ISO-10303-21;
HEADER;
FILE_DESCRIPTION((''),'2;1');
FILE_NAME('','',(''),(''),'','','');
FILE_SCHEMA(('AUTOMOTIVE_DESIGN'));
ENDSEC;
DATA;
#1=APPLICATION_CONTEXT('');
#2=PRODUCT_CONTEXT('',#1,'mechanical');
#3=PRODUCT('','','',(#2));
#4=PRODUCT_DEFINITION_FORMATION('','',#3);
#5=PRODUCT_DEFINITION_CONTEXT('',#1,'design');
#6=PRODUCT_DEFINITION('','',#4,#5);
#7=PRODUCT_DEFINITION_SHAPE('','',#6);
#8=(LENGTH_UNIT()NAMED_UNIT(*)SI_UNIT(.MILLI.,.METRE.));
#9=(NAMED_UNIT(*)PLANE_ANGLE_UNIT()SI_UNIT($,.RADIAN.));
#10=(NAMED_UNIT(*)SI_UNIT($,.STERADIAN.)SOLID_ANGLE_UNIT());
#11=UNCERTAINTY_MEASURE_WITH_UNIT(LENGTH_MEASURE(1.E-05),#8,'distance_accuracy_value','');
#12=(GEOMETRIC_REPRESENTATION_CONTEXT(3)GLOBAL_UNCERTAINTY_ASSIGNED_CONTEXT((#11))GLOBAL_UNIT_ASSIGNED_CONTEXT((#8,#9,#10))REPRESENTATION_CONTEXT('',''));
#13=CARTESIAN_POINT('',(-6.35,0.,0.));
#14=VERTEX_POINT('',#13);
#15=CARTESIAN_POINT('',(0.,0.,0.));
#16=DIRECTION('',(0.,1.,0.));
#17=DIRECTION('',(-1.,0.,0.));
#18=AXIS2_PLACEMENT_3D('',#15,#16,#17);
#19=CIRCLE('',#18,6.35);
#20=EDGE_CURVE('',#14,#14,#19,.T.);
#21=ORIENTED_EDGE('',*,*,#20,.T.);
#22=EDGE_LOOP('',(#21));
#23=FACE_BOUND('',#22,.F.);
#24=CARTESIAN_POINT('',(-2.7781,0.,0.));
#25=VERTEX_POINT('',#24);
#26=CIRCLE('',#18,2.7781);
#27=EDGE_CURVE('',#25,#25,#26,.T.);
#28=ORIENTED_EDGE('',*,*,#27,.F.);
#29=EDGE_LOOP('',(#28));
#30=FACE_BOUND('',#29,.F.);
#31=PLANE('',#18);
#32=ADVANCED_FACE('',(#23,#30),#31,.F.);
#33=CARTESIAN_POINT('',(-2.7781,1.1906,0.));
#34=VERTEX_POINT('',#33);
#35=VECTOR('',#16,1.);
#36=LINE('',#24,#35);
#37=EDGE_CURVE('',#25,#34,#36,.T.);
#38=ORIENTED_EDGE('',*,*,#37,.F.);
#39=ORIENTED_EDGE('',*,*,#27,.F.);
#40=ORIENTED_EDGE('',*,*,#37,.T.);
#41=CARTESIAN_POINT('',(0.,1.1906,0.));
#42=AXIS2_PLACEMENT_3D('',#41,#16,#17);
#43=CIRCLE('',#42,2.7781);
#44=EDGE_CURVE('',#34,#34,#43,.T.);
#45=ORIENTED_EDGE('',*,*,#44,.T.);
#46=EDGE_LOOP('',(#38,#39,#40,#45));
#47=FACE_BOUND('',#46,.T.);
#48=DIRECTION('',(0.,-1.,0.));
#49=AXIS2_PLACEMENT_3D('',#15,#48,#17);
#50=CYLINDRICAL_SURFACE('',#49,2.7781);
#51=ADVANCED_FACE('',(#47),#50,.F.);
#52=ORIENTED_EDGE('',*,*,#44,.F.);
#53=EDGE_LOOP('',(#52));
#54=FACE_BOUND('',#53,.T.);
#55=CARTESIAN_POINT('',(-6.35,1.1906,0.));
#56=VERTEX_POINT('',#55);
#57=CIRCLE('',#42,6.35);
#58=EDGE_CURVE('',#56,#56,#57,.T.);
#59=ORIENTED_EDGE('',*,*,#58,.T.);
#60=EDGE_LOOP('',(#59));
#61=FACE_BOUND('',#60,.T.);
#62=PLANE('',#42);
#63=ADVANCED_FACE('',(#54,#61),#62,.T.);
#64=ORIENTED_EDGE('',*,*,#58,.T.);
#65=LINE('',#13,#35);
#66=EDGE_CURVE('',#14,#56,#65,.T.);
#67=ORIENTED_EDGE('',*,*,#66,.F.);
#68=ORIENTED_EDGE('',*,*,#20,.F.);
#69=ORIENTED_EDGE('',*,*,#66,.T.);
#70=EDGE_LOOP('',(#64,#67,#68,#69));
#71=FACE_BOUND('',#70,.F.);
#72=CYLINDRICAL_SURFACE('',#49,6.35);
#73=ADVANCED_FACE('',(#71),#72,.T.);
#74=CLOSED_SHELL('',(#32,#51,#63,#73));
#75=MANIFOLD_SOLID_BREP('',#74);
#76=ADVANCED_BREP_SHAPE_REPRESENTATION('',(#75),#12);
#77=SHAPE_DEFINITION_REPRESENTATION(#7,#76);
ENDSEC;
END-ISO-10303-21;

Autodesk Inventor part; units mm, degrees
ref_plane "YZ Plane" through (0, 0, 0) normal (1, 0, 0) x (0, 1, 0)
ref_plane "XZ Plane" through (0, 0, 0) normal (0, 1, 0) x (-1, 0, 0)
ref_plane "XY Plane" through (0, 0, 0) normal (0, 0, 1) x (1, 0, 0)
sketch "Sketch1" plane through (0, 0, 0) normal (0, 1, 0) x (-1, 0, 0)
  circle A0 centre (0, 0) radius 2.7781
  circle A1 centre (0, 0) radius 6.35
  dimension "d0" = 5.5563
  dimension "d1" = 12.7
extrude "Extrusion1" add sketch "Sketch1" along normal blind 1.1906
properties part number "Standard #10 Washer" material "Steel"
